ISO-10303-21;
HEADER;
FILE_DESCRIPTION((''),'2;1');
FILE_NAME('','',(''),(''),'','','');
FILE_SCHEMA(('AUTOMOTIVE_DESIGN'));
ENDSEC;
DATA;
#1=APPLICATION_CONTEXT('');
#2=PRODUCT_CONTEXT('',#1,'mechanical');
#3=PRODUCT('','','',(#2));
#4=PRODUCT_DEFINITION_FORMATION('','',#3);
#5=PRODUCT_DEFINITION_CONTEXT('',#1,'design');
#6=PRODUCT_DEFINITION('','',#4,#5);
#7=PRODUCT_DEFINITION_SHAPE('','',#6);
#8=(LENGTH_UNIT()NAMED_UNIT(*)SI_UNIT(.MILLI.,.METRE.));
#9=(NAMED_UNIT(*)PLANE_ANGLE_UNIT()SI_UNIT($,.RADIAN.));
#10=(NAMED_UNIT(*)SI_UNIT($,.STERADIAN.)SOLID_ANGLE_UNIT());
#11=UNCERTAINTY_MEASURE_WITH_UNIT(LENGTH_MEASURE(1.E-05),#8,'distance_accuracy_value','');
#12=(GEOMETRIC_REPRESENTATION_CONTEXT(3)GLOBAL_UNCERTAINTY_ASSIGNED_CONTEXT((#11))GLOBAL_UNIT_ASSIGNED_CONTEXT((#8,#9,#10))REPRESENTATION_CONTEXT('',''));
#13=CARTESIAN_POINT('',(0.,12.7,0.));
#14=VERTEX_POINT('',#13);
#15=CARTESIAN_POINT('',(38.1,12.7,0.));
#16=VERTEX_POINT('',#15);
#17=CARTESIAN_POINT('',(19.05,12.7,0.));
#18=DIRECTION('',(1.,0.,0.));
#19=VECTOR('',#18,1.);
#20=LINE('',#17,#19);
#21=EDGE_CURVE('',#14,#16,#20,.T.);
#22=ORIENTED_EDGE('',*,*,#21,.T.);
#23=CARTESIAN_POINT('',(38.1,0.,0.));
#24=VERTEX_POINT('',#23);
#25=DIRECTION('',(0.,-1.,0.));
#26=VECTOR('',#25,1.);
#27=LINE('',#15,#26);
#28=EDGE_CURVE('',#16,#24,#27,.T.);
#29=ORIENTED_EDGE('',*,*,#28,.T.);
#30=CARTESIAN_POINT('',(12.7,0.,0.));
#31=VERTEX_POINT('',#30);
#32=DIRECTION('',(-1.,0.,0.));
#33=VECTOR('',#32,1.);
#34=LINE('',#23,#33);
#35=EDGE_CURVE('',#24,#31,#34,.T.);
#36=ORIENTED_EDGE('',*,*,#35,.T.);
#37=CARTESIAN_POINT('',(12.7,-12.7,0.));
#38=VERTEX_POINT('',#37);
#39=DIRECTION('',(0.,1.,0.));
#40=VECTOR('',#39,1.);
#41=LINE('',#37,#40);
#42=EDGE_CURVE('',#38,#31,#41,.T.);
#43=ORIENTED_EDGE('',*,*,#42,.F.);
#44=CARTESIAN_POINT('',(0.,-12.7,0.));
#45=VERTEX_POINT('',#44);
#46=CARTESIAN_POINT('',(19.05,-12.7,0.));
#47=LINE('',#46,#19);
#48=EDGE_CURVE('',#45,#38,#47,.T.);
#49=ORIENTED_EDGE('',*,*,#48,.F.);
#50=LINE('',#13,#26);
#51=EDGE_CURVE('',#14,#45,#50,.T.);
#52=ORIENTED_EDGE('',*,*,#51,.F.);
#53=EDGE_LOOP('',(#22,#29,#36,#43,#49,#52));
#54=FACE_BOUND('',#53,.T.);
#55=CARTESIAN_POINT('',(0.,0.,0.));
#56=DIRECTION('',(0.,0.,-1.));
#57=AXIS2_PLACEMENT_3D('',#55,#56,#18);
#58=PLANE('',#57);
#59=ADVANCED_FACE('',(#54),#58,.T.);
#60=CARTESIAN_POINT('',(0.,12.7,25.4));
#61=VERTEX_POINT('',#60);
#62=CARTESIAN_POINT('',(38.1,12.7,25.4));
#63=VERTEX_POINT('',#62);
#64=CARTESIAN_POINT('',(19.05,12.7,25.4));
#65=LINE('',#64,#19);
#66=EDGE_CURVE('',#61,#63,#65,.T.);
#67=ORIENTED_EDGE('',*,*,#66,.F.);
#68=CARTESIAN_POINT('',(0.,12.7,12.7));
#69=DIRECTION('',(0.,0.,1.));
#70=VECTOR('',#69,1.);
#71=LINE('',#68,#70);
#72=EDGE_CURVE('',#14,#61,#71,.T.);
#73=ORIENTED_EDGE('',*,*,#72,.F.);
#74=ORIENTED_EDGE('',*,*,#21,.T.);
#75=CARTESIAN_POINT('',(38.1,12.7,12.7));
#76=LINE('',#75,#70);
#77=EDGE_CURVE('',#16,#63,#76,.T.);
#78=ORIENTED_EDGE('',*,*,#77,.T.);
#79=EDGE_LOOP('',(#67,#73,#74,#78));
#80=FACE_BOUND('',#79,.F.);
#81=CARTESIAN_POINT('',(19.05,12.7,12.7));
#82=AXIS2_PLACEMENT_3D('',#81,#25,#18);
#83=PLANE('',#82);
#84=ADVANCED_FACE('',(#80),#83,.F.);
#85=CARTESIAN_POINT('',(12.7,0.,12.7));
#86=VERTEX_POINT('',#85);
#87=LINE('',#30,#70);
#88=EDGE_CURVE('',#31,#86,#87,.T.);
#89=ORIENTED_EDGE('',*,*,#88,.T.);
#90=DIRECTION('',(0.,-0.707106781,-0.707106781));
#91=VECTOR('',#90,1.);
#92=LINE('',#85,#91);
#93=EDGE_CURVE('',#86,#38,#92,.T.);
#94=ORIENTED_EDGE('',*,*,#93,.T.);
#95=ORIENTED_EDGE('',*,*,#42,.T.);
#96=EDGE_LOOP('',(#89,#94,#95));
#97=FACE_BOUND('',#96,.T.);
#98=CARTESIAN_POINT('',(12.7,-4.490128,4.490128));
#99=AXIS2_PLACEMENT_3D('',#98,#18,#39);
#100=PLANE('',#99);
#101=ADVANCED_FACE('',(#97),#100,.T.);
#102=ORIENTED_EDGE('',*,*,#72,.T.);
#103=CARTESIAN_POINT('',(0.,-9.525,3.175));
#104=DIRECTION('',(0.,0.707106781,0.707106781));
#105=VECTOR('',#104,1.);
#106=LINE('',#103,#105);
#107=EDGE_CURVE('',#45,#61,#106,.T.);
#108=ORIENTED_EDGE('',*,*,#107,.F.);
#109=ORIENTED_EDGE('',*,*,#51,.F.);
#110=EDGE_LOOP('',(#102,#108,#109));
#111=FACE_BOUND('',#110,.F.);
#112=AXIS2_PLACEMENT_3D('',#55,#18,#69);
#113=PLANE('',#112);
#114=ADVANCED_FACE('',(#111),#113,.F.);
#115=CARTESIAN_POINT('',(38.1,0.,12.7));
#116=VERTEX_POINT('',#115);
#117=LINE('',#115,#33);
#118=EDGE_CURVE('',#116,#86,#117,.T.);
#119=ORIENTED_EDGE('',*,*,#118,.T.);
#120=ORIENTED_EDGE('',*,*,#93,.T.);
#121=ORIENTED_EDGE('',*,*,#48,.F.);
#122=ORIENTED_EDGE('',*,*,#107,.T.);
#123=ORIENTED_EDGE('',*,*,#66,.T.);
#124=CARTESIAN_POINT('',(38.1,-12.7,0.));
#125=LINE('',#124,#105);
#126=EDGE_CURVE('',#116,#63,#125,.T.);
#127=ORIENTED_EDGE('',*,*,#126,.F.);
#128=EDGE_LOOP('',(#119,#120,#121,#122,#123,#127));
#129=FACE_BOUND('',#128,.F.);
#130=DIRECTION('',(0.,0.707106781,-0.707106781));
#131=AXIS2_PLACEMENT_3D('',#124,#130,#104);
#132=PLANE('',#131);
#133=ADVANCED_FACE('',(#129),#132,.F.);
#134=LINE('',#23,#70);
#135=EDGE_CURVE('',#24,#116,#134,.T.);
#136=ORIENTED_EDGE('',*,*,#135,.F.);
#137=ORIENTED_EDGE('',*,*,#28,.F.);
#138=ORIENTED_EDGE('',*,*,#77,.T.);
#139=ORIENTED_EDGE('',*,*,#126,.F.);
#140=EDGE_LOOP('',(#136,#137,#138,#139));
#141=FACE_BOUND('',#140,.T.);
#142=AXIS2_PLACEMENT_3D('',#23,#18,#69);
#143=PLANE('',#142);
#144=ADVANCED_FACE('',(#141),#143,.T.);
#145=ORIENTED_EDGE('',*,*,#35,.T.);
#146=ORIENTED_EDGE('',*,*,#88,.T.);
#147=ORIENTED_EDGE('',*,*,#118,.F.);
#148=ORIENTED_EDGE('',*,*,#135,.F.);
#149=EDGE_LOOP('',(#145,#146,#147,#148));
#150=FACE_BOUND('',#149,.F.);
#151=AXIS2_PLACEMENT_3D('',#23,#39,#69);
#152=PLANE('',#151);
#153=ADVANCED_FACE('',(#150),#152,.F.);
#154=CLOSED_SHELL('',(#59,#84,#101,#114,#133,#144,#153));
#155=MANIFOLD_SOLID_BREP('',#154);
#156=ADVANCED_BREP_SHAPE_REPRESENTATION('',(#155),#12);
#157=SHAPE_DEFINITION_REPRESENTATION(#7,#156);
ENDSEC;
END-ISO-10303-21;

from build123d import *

# Parameters (mm, degrees)
F0_W     = 38.1
F0_H     = 25.4
F1_DEPTH = 12.7
F3_DEPTH = 38.101
F5_DEPTH = 25.4


with BuildPart() as f1:
    # F0 (on Front) → F1 (new body, symmetric)
    with BuildSketch(Plane.XZ):
        with Locations((19.05, 12.7)):
            Rectangle(F0_W, F0_H)
    extrude(amount=F1_DEPTH, both=True)

    # F2 (on face) → F3 (cut, through all)
    with BuildSketch(Plane.YZ.offset(38.1)):
        Polygon((12.7, 25.4), (-12.7, 25.4), (-12.7, 0), align=None)
    extrude(amount=-F3_DEPTH, mode=Mode.SUBTRACT)

    # F4 (on face) → F5 (cut)
    with BuildSketch(Plane.YZ.offset(38.1)):
        Polygon((0, 0), (0, 12.7), (-12.7, 0), align=None)
    extrude(amount=-F5_DEPTH, mode=Mode.SUBTRACT)


solid = f1.part
